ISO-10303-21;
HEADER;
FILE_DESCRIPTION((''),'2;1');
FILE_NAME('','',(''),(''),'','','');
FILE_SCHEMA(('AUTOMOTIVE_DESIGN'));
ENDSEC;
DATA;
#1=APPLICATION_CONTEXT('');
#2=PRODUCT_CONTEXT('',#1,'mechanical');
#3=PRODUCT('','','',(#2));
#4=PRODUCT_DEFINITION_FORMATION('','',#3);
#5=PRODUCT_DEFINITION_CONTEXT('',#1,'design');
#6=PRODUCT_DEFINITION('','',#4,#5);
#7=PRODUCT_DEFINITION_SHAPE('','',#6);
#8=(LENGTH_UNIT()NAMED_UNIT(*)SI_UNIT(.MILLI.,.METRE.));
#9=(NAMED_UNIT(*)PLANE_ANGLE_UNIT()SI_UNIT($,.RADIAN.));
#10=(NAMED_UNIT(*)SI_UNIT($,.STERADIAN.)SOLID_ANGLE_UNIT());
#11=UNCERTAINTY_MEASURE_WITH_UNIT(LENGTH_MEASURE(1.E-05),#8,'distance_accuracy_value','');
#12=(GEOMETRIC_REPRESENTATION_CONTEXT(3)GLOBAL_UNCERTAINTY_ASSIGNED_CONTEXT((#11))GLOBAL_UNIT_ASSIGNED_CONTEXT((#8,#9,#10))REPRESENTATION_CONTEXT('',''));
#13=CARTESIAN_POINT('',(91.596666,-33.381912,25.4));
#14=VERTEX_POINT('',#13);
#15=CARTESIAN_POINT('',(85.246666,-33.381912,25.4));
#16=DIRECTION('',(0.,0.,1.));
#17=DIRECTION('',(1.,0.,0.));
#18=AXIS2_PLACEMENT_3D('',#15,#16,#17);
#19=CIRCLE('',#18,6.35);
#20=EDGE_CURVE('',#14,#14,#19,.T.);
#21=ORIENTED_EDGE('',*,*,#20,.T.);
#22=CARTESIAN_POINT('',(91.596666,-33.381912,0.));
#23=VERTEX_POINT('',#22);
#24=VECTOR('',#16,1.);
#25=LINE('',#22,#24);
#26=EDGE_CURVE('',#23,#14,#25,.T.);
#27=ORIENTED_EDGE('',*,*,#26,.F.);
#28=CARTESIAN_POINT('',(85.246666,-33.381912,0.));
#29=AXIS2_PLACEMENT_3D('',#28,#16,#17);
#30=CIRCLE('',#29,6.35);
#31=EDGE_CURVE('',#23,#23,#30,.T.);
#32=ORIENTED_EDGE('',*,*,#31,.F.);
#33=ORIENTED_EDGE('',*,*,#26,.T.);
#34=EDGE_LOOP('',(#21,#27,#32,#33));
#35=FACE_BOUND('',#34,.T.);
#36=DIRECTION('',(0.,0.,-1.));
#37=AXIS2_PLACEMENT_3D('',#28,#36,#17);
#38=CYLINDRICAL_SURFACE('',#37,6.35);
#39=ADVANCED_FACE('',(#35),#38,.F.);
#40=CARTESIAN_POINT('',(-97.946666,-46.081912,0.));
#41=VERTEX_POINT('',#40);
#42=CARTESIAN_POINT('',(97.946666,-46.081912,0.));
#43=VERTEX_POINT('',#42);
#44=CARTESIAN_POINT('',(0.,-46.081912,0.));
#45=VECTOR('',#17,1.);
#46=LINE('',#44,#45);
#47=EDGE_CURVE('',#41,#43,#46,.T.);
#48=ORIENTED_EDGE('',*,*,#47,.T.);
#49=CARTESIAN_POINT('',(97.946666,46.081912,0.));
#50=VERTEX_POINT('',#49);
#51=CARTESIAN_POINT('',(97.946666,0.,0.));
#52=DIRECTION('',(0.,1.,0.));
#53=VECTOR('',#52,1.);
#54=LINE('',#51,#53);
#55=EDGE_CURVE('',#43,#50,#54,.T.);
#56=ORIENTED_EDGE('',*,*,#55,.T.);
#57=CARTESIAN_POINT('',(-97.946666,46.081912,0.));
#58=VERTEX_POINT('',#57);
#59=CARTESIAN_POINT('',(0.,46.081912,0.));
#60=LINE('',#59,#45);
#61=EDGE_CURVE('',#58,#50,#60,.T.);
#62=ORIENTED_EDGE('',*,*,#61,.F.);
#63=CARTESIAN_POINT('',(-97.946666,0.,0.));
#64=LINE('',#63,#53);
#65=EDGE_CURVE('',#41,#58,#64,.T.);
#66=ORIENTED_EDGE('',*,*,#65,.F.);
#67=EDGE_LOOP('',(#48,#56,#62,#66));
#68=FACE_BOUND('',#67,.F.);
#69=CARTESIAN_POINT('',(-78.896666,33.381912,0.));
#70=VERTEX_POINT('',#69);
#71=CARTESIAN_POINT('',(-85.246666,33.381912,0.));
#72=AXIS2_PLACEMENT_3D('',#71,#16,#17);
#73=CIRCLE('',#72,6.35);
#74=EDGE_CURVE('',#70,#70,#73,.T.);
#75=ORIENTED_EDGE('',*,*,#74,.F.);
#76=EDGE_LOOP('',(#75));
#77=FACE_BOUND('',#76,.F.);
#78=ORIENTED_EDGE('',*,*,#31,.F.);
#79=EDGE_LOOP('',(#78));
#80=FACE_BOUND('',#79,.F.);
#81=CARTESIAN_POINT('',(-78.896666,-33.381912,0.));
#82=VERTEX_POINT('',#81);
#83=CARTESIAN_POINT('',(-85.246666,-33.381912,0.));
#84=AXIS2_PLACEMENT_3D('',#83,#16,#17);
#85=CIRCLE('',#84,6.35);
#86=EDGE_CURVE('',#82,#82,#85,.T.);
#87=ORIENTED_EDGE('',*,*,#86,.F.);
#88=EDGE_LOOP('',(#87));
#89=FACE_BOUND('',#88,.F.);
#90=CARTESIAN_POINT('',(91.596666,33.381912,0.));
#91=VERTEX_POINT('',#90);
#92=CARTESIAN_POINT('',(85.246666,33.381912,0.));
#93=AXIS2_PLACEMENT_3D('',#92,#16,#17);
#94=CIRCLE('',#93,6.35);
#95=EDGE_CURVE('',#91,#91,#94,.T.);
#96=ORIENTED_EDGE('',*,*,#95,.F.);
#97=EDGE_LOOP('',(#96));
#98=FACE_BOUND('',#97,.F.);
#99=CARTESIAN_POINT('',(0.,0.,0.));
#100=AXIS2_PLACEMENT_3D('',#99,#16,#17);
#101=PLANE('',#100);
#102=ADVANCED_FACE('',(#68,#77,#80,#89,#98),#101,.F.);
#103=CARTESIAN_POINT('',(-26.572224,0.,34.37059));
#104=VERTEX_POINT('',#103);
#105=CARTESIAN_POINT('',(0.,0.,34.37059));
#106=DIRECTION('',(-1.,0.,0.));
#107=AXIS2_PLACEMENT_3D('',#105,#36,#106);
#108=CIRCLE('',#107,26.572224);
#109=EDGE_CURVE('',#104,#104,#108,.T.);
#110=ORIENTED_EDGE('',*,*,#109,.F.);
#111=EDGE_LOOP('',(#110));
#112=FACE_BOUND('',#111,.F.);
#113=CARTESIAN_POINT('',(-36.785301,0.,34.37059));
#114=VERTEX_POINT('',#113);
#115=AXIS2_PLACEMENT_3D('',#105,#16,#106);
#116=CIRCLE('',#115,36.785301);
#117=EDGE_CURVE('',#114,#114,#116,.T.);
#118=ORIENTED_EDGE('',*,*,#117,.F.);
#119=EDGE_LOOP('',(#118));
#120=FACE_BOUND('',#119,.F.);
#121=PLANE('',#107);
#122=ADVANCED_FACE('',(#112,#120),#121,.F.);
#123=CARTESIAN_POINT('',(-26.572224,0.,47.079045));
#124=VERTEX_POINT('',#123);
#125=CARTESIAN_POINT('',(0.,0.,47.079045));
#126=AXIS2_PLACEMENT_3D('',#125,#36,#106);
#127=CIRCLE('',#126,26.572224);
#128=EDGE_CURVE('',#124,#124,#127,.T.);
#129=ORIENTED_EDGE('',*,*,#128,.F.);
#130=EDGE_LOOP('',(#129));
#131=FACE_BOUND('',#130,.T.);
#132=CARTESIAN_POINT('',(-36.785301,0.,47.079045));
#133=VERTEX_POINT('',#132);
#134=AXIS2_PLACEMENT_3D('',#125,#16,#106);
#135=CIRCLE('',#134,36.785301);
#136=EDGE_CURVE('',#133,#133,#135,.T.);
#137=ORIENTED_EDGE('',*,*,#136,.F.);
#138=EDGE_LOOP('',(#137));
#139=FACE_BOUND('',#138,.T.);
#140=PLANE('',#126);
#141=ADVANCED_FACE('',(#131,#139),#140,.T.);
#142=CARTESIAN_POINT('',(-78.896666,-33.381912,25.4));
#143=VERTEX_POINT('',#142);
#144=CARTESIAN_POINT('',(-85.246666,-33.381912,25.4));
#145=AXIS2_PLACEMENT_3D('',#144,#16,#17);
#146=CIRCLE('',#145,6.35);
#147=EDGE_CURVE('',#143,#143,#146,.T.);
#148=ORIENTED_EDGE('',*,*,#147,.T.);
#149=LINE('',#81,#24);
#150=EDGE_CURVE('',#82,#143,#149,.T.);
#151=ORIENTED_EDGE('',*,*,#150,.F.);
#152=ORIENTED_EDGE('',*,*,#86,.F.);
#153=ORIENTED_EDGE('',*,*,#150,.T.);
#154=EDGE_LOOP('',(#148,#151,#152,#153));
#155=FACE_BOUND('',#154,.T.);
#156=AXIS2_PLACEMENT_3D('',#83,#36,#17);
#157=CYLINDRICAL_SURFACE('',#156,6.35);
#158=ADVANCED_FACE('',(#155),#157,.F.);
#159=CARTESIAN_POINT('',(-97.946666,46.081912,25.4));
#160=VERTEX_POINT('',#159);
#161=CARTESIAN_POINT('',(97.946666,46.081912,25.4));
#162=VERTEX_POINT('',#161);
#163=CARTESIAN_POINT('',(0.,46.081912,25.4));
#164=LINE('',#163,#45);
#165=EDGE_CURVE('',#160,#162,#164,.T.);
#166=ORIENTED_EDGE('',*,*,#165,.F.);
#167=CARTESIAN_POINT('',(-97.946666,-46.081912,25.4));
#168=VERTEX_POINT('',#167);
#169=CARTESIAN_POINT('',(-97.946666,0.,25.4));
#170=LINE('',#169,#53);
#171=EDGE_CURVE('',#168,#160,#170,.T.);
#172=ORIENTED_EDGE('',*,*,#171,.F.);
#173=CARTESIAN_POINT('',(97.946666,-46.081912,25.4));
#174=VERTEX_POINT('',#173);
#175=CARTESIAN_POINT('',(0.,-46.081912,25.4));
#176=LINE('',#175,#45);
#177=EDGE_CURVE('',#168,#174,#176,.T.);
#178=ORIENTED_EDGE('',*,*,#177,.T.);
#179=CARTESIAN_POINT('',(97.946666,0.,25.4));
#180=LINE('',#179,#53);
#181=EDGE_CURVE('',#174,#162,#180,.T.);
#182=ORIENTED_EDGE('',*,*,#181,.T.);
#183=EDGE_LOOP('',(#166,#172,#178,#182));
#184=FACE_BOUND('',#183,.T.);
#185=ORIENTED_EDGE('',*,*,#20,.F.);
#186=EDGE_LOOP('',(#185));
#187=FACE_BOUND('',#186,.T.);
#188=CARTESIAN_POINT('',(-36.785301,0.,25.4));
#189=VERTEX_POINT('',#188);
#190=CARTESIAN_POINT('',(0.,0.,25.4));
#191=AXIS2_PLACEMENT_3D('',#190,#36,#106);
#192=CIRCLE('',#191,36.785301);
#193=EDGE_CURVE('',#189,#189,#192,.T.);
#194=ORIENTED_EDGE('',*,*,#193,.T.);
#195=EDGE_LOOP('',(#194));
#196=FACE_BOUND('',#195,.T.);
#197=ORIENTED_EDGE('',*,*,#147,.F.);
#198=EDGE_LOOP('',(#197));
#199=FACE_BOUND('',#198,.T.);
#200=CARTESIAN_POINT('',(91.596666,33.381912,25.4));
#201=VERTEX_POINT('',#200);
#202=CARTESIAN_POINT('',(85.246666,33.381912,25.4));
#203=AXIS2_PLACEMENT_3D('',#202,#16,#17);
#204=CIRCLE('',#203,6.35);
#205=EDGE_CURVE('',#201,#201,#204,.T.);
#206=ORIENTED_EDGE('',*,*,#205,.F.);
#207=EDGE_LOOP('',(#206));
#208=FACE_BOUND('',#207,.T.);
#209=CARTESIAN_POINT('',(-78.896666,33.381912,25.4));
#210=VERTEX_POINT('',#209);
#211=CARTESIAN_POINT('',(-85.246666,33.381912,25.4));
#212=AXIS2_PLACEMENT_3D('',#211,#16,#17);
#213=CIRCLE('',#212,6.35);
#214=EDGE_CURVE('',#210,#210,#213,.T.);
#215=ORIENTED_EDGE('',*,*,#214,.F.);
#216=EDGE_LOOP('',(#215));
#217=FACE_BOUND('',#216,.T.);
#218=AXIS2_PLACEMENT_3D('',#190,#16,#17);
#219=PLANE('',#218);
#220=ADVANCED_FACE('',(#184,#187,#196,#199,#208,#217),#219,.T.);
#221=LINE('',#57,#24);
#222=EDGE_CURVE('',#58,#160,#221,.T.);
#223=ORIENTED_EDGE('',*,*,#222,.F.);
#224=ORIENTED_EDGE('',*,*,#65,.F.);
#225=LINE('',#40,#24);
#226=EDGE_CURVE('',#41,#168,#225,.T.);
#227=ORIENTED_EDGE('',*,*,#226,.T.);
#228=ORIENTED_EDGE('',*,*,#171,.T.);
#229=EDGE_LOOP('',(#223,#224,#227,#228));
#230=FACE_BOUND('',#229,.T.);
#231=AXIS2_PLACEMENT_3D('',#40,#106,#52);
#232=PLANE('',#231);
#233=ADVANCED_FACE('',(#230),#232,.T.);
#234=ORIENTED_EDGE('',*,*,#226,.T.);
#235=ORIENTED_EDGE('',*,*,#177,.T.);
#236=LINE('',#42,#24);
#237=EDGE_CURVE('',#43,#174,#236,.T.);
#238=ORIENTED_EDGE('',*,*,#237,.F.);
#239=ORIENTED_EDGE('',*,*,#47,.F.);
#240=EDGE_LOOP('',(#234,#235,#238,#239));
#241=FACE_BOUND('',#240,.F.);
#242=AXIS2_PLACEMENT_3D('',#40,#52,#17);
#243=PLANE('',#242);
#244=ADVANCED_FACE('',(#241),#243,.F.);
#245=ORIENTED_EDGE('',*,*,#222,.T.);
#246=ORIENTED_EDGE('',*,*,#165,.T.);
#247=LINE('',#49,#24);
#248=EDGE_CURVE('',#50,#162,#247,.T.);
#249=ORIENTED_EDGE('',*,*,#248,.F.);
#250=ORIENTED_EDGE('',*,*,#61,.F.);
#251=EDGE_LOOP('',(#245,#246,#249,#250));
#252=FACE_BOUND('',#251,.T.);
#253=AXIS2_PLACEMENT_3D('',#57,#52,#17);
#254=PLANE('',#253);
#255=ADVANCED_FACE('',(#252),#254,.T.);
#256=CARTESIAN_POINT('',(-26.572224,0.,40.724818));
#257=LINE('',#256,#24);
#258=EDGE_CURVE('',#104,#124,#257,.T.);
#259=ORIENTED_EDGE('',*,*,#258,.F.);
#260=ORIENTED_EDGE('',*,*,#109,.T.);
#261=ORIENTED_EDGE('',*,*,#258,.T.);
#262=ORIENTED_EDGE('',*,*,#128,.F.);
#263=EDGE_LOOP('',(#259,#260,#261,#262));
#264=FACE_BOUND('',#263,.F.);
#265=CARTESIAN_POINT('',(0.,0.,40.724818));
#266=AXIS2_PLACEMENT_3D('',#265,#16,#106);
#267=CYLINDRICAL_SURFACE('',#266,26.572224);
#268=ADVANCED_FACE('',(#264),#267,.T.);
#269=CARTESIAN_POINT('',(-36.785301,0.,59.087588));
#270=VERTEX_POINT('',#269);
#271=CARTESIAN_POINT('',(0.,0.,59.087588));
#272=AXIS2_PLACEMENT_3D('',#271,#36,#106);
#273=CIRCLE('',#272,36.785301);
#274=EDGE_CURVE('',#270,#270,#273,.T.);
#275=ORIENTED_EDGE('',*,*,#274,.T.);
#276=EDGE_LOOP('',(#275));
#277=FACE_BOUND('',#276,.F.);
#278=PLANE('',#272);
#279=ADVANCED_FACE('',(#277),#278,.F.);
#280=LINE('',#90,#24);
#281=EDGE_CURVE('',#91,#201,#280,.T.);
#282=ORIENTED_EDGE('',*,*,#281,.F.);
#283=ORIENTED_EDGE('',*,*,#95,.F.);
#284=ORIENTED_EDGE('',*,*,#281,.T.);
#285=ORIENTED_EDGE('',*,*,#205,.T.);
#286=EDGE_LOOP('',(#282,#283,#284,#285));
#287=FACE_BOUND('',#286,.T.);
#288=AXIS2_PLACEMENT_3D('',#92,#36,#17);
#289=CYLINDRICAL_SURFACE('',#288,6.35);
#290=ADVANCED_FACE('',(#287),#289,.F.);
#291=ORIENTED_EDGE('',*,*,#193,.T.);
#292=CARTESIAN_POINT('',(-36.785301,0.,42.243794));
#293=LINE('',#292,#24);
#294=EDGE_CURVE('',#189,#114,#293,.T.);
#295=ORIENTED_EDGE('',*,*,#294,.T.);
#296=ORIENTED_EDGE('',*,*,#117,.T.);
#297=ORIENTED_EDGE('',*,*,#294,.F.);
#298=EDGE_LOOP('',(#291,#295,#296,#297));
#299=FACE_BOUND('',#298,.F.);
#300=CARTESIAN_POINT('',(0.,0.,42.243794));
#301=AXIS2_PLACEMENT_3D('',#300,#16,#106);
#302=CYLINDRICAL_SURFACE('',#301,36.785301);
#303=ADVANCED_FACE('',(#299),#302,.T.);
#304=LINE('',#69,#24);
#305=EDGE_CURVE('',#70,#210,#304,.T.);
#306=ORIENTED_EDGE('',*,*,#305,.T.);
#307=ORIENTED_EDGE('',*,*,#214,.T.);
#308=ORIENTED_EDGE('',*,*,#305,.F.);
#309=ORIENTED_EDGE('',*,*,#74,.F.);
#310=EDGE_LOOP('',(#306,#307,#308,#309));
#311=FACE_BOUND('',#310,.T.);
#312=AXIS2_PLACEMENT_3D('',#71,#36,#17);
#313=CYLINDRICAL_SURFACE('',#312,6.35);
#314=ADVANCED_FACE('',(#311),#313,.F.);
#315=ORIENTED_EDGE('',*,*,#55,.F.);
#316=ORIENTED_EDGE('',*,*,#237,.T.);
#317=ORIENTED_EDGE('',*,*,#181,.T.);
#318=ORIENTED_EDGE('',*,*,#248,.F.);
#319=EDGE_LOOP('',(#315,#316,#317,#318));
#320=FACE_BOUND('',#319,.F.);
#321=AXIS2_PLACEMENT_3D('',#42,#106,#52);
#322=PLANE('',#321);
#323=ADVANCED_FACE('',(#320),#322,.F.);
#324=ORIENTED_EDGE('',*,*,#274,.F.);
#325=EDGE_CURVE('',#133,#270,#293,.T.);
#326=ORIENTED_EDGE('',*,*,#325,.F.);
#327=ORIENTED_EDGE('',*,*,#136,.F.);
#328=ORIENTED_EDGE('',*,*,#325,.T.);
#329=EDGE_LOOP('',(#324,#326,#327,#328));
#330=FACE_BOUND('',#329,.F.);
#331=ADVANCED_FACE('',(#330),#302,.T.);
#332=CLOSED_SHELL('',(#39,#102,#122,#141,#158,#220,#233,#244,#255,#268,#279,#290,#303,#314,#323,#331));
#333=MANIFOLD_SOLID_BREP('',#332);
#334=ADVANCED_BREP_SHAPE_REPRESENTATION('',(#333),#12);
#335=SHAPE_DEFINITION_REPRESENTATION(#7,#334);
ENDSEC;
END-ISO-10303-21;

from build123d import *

# Parameters (mm, degrees)
F0_W     = 195.8933323622
F0_H     = 92.163823545
F1_DEPTH = 25.4
F2_R     = 6.35
F3_DEPTH = 25.4
F4_W     = 36.7853008211
F4_H     = 33.6875878274
F6_W     = 25.4169069231
F6_H     = 12.7084553242


with BuildPart() as f1:
    # F0 (on Top) → F1 (new body)
    with BuildSketch(Plane.XY):
        Rectangle(F0_W, F0_H)
    extrude(amount=F1_DEPTH)

    # F2 (on Top) → F3 (cut)
    with BuildSketch(Plane.XY):
        with Locations((-85.2466661811, 33.3819117725)):
            Circle(F2_R)
        with Locations((-85.2466661811, -33.3819117725)):
            Circle(F2_R)
        with Locations((85.2466661811, 33.3819117725)):
            Circle(F2_R)
        with Locations((85.2466661811, -33.3819117725)):
            Circle(F2_R)
    extrude(amount=F3_DEPTH, mode=Mode.SUBTRACT)

    # F4 (on Front) → F5 (revolve)
    with BuildSketch(Plane.XZ):
        with Locations((-18.3926504105, 42.2437939137)):
            Rectangle(F4_W, F4_H)
    revolve(axis=Axis((0, 0, 42.2437939137), (0, 0, -1)))

    # F6 (on Front) → F7 (revolve, cut)
    with BuildSketch(Plane.XZ):
        with Locations((-39.2806772143, 40.7248176634)):
            Rectangle(F6_W, F6_H)
    revolve(axis=Axis((0, 0, 59.0875878274), (0, 0, -1)), mode=Mode.SUBTRACT)


solid = f1.part
